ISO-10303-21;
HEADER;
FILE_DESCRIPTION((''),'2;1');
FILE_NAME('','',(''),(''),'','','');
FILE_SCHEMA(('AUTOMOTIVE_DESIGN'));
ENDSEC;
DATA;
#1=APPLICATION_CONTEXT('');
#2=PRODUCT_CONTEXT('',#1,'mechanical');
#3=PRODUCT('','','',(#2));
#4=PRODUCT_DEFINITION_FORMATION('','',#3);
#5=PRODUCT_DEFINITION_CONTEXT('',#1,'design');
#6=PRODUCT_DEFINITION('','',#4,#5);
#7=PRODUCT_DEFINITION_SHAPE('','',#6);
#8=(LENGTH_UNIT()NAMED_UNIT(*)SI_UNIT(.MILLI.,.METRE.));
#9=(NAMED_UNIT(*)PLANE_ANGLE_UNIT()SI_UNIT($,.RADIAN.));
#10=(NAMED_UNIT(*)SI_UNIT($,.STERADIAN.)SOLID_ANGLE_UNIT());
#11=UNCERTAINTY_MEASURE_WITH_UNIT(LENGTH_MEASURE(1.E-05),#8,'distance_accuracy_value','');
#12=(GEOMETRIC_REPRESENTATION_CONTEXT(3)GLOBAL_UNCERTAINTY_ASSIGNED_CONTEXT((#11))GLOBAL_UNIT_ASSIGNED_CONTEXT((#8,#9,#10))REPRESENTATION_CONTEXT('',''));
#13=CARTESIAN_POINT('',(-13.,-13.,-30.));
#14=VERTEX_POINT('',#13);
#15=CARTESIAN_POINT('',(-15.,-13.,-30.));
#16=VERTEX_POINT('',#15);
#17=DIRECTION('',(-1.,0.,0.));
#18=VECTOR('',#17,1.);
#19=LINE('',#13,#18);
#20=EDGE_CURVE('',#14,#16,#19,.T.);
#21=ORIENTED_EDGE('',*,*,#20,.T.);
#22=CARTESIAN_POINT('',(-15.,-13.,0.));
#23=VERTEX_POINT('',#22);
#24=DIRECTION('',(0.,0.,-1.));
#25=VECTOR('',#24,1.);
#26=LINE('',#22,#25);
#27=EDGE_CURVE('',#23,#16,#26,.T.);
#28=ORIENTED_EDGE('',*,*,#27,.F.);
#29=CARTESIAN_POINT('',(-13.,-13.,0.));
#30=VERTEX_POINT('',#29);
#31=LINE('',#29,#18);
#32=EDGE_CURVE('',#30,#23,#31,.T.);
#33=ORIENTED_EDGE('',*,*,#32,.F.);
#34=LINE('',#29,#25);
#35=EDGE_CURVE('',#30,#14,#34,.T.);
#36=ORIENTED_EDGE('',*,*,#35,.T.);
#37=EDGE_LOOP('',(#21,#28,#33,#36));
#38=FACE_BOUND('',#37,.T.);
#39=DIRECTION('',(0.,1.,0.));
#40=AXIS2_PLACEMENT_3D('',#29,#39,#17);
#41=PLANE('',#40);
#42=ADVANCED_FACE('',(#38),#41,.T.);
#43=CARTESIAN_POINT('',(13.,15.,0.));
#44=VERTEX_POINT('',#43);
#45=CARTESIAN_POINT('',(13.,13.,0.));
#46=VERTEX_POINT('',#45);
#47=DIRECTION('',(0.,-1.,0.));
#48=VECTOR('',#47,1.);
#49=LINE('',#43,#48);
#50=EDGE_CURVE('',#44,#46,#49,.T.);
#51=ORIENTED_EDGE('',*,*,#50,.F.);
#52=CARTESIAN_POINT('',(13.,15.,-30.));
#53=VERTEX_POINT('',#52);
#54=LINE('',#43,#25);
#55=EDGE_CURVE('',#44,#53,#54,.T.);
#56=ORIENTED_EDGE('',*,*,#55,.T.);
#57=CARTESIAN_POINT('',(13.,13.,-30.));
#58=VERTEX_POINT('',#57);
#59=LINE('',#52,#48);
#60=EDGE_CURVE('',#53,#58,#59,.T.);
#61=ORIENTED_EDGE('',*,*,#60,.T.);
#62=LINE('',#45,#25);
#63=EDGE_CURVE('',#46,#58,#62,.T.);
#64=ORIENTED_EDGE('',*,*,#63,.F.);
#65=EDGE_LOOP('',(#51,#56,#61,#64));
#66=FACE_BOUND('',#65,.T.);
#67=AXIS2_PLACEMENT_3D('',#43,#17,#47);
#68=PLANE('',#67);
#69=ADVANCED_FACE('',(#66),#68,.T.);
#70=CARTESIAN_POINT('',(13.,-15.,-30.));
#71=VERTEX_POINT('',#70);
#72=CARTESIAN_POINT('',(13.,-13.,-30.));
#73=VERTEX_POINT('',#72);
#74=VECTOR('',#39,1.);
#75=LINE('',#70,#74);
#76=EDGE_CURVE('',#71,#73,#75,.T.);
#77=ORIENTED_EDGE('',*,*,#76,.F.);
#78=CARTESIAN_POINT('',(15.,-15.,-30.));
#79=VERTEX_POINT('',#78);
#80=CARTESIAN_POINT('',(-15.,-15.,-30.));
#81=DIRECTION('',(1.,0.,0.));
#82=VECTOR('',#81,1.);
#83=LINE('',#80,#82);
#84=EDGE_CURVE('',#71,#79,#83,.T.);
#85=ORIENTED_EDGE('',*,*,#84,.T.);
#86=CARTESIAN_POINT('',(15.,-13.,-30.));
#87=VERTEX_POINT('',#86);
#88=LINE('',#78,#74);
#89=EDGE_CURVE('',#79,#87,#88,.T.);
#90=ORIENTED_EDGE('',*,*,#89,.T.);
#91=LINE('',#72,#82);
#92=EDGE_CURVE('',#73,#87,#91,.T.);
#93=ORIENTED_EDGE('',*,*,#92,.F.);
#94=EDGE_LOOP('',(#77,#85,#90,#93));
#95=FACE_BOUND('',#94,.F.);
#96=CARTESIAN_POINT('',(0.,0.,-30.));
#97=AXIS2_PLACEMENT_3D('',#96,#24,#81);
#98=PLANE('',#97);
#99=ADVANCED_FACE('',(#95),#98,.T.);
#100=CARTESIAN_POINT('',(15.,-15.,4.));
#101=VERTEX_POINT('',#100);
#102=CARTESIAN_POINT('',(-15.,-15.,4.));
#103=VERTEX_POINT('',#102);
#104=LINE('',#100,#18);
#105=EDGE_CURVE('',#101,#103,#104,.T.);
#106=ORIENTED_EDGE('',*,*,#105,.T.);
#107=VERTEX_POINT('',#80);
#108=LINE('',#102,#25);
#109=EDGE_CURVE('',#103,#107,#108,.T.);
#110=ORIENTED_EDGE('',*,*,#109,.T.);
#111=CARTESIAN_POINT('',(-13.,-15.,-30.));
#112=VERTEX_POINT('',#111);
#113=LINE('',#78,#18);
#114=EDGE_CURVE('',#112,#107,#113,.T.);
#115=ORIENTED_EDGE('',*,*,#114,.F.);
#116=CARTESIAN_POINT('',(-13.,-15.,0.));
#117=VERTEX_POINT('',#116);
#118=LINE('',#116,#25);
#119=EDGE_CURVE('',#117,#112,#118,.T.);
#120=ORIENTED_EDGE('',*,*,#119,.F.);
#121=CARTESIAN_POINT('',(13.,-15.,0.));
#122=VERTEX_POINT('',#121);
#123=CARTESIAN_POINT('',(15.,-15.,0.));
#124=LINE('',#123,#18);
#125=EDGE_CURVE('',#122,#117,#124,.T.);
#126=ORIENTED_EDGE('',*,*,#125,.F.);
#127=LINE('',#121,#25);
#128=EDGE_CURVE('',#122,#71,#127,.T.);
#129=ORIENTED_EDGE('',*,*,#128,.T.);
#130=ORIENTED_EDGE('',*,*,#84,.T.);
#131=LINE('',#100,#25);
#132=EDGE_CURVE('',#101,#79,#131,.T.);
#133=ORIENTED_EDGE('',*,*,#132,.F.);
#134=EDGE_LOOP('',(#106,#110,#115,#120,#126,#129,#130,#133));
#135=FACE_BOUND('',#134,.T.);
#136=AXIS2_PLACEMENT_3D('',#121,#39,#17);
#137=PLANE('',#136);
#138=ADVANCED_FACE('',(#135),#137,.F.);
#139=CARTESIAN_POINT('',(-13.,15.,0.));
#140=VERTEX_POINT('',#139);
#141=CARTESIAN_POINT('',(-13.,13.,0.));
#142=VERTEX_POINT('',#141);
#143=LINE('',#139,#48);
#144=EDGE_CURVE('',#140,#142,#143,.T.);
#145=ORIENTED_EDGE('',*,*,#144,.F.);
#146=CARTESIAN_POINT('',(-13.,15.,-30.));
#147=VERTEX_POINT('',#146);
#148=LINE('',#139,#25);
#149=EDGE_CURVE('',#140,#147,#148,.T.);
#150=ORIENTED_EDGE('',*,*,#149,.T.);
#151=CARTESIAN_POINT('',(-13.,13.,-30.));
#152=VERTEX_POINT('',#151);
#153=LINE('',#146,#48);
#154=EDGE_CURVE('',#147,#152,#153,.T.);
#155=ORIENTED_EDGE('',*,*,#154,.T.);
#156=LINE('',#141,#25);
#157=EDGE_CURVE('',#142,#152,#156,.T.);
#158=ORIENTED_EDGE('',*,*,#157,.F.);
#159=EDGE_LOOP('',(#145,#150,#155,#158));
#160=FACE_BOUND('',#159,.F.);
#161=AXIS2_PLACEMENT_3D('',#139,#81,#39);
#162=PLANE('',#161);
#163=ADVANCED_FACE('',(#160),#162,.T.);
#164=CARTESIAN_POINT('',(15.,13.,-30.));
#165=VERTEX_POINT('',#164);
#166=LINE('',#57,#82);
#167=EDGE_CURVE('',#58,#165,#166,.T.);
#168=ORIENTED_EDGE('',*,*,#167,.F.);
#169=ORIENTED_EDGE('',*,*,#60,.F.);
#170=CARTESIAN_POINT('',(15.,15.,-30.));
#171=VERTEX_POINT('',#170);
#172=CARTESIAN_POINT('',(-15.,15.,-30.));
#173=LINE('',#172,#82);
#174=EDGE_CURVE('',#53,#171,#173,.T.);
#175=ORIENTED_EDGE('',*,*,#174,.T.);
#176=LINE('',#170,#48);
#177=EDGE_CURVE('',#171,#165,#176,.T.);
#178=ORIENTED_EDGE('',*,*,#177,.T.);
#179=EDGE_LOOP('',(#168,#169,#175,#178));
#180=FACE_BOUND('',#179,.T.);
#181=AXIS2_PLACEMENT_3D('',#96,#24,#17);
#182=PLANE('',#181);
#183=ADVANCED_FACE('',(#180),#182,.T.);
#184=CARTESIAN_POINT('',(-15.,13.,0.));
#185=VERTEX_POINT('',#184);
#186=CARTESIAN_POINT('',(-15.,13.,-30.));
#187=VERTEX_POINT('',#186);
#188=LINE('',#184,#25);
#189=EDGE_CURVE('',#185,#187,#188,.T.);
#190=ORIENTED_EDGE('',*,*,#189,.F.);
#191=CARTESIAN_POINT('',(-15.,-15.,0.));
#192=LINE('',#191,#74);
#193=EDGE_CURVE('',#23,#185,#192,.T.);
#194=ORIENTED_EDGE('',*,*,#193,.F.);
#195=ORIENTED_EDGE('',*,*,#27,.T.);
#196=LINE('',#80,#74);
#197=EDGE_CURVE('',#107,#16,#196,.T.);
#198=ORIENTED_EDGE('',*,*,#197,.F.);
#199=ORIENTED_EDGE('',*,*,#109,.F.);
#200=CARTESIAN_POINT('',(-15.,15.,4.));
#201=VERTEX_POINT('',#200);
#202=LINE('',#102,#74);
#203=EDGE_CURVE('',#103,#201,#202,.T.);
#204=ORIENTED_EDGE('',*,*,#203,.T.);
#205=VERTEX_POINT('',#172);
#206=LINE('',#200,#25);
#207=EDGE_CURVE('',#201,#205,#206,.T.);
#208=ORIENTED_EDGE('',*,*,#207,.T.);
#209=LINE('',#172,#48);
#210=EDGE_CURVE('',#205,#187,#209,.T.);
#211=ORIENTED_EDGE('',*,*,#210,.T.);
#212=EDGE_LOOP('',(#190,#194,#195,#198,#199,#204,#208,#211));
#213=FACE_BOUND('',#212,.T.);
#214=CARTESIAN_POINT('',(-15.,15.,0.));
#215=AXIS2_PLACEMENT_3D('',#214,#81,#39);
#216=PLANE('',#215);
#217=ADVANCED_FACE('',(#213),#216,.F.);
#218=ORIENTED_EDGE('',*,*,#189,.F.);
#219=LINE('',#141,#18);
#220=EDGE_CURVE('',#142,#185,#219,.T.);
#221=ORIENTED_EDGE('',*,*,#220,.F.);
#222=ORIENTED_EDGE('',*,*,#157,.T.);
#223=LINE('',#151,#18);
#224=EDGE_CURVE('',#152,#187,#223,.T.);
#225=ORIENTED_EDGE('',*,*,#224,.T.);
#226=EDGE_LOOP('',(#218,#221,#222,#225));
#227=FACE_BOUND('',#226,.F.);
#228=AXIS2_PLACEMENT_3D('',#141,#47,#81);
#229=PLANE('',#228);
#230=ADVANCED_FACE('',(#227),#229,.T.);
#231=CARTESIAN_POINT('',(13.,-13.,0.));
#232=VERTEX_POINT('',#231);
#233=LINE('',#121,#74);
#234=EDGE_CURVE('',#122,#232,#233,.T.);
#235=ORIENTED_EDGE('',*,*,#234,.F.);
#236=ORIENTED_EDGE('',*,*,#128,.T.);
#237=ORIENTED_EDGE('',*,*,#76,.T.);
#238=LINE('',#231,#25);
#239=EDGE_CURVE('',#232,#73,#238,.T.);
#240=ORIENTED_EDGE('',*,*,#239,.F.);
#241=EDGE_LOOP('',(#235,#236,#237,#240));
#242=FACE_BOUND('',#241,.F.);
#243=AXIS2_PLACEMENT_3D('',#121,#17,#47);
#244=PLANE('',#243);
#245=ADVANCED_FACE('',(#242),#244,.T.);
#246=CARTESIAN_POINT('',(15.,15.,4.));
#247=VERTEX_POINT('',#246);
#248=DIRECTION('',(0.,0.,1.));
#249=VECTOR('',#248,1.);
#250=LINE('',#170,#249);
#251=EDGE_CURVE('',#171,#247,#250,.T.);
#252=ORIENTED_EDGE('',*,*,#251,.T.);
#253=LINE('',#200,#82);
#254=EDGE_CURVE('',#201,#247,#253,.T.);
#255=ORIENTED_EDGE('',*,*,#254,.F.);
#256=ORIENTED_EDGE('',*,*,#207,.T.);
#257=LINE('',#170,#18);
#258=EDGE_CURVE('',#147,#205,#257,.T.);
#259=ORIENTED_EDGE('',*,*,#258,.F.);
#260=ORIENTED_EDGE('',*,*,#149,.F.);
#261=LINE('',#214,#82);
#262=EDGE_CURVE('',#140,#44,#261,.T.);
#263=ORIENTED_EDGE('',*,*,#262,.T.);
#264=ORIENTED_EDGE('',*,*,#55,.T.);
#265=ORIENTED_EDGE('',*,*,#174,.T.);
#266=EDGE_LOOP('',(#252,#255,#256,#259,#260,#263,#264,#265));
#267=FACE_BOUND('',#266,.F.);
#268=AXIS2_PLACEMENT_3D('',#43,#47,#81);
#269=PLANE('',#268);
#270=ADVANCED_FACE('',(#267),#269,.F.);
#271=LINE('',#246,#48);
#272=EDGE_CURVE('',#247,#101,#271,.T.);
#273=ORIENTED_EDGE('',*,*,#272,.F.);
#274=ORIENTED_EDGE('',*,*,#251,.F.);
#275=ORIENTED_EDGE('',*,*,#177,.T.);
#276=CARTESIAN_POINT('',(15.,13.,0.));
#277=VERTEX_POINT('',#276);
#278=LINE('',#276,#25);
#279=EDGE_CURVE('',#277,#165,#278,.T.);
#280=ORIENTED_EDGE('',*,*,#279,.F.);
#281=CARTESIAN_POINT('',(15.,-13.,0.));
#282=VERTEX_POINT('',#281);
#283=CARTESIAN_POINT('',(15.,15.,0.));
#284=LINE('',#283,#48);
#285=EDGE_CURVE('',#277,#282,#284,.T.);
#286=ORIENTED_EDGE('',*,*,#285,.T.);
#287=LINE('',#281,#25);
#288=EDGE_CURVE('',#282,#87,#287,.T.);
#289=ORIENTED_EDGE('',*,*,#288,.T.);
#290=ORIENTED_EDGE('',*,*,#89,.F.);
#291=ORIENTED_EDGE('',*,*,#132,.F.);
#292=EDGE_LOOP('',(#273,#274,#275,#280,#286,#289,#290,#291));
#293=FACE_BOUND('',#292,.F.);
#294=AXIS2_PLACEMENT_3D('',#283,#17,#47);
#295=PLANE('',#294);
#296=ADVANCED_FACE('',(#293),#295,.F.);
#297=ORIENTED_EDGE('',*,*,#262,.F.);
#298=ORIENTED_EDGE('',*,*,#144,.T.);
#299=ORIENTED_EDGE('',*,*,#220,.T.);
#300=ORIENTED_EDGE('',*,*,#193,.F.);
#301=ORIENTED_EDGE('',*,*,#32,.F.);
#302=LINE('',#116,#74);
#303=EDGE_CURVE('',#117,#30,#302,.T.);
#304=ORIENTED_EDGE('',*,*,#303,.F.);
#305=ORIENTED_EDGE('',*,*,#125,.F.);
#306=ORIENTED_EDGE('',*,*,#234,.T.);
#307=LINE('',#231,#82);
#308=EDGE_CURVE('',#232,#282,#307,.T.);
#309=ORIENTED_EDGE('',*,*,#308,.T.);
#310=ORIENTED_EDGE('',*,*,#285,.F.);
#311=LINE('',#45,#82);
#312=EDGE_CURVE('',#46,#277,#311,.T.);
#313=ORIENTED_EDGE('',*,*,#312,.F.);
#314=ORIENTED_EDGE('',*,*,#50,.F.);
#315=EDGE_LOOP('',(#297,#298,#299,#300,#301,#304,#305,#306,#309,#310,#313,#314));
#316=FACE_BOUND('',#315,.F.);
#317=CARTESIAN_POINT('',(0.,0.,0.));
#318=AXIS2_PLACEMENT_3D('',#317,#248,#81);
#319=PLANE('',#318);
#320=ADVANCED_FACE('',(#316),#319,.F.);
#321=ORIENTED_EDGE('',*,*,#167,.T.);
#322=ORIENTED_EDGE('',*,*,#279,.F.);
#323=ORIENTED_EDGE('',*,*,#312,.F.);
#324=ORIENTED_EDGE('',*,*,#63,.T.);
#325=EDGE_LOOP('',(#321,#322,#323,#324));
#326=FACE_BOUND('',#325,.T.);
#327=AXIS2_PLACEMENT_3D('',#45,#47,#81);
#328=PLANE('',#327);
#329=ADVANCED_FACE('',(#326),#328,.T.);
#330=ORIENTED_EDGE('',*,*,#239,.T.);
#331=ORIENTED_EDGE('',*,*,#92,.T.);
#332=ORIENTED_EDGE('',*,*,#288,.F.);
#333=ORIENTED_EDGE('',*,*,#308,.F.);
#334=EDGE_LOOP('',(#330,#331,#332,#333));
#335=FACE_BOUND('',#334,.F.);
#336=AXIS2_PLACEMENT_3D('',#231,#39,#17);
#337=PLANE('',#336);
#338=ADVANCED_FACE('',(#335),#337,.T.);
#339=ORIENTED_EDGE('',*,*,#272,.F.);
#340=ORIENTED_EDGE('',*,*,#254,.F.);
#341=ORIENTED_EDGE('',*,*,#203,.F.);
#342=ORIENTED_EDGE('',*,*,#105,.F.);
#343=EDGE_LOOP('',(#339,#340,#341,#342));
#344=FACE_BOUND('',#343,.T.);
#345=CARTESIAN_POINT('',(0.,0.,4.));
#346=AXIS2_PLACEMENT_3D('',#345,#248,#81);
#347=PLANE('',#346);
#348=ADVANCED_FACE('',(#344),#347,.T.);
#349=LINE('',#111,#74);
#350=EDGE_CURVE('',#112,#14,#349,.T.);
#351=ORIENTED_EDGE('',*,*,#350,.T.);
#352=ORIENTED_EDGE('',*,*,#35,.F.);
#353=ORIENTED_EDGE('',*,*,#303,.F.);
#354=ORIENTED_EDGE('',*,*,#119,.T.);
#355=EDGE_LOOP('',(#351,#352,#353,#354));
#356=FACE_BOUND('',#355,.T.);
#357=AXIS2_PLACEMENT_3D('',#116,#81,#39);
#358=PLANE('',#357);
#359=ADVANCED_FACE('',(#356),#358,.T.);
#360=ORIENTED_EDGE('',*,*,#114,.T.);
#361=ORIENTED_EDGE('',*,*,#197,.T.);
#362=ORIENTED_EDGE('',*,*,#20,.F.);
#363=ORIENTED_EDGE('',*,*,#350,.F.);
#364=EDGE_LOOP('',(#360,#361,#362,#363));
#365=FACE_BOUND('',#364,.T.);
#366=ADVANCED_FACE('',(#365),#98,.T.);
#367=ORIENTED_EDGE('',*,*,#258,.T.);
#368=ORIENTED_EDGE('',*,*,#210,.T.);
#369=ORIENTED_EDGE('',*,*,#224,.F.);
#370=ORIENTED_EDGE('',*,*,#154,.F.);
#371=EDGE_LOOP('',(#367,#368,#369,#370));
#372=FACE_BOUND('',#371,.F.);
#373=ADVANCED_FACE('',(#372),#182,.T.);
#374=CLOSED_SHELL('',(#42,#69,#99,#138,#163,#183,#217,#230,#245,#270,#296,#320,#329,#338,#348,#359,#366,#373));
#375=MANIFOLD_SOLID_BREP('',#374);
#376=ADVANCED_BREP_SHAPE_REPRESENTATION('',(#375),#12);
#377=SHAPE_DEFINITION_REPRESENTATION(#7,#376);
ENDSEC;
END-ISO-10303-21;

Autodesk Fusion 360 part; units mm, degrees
sketch "Sketch1" plane through (0, 0, 0) normal (0, 0, 1) x (1, 0, 0)
  line L0 (15, -15) -> (-15, -15)
  line L1 (-15, -15) -> (-15, 15)
  line L2 (-15, 15) -> (15, 15)
  line L3 (15, 15) -> (15, -15)
  line L4 (15, -15) -> (-15, 15) construction
  line L5 (-15, -15) -> (15, 15) construction
  dimension "d1" = 30
  dimension "d2" = 30
extrude "Extrude1" add sketch "Sketch1" along normal blind 4
sketch "Sketch2" plane through (0, 0, 0) normal (0, 0, -1) x (1, 0, 0)
  line L0 (-15, -15) -> (15, -15)
  line L1 (15, -15) -> (15, 15)
  line L2 (15, 15) -> (-15, 15)
  line L3 (-15, 15) -> (-15, -15)
  line L4 (-15, 15) -> (-13, 15)
  line L5 (-13, 13) -> (-15, 13)
  line L6 (-13, 15) -> (-13, 13)
extrude "Extrude2" add sketch "Sketch2" along normal blind 30 contours L2 L3 L4 L5 L6
mirror "Mirror1" about plane through (0, 0, 0) normal (1, 0, 0) of "Extrude2"
mirror "Mirror2" about plane through (0, 0, 0) normal (0, 1, 0) of "Extrude2", "Mirror1"
